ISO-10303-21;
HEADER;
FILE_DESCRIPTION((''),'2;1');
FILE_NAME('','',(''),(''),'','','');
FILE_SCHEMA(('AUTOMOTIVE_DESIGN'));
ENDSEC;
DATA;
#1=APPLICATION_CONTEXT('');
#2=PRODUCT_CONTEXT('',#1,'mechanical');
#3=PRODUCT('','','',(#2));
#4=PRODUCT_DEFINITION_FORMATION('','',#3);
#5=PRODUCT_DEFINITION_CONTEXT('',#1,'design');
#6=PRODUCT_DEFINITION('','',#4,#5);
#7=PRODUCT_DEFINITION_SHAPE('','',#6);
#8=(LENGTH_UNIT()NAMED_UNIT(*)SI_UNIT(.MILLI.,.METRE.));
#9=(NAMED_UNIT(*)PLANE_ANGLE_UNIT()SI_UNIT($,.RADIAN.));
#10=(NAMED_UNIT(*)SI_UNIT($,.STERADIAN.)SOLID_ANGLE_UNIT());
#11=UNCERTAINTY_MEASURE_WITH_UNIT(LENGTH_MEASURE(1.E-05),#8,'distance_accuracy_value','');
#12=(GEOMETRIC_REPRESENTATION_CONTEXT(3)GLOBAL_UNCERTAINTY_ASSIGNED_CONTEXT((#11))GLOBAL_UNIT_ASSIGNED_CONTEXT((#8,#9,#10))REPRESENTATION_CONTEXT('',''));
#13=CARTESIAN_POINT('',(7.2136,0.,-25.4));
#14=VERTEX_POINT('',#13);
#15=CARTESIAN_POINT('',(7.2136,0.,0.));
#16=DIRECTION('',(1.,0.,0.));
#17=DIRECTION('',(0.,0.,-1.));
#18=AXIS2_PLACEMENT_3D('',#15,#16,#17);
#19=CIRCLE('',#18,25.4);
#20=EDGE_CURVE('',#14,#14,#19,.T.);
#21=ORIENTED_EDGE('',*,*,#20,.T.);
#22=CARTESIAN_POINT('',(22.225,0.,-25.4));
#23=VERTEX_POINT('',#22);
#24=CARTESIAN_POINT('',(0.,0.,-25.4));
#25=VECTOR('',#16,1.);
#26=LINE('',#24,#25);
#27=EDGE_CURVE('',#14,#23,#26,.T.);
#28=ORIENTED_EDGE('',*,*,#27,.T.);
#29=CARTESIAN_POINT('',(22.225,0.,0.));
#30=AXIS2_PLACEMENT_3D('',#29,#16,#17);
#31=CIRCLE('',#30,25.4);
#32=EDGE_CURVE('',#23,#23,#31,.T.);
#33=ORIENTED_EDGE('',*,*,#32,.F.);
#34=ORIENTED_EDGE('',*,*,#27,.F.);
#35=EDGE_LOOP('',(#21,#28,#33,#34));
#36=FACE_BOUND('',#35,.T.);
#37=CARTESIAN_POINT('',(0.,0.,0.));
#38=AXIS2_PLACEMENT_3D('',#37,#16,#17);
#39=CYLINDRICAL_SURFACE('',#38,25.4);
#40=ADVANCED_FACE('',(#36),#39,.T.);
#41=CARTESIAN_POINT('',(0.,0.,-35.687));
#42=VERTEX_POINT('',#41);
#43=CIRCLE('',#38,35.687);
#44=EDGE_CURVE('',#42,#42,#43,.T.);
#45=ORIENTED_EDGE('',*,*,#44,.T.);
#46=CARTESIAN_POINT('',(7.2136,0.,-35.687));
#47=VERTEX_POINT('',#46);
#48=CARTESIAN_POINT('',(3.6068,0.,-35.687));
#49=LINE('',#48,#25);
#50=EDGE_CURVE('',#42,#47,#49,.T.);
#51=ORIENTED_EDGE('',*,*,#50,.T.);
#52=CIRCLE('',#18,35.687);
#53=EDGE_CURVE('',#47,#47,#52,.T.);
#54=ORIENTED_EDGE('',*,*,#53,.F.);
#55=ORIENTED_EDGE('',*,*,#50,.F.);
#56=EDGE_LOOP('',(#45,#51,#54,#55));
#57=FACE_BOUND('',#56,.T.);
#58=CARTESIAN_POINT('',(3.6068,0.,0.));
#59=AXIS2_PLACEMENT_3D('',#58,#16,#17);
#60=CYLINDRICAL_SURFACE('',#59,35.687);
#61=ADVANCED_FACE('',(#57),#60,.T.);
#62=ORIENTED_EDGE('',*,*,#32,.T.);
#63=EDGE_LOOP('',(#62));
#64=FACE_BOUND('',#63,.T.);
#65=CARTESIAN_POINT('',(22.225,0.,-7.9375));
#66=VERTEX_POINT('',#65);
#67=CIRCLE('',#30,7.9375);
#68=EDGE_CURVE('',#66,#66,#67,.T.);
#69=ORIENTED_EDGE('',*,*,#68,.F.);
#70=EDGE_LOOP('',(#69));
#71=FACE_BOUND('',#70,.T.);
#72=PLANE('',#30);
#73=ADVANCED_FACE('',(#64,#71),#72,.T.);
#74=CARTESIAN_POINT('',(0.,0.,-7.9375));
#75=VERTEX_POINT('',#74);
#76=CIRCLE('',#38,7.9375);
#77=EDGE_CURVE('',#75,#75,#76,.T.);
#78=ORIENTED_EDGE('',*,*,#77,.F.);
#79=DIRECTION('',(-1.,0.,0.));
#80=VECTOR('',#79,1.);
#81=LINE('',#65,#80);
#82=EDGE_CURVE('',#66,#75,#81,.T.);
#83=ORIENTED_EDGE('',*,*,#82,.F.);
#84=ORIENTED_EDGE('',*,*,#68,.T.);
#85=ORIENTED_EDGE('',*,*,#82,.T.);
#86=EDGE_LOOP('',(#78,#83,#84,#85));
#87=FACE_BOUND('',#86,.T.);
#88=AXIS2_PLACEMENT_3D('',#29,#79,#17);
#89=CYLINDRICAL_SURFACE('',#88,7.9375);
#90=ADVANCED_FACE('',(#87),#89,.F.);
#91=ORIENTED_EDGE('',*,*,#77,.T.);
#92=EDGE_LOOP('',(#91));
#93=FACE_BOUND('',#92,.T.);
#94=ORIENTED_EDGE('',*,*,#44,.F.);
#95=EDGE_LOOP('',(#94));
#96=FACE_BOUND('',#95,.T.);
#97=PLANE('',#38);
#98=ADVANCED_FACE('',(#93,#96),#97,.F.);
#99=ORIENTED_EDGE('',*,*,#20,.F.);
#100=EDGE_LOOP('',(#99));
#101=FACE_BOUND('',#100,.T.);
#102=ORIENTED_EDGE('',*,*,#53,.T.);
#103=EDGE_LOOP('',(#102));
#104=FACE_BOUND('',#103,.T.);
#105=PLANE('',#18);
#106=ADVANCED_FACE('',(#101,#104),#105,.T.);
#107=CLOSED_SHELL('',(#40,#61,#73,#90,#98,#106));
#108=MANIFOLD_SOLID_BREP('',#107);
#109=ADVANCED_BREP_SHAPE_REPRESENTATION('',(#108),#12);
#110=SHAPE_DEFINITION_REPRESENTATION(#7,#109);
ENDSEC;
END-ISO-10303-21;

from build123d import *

# Parameters (mm, degrees)
F0_W   = 15.0114
F0_H   = 17.4625
F0_W_2 = 7.2136
F0_H_2 = 10.287


with BuildPart() as f1:
    # F0 (on Front) → F1 (revolve)
    with BuildSketch(Plane.XZ):
        with Locations((14.7193, -16.66875)):
            Rectangle(F0_W, F0_H)
        with Locations((3.6068, -16.66875)):
            Rectangle(F0_W_2, F0_H)
        with Locations((3.6068, -30.5435)):
            Rectangle(F0_W_2, F0_H_2)
    revolve(axis=Axis((13.067117, 0, 0), (1, 0, 0)))


solid = f1.part
